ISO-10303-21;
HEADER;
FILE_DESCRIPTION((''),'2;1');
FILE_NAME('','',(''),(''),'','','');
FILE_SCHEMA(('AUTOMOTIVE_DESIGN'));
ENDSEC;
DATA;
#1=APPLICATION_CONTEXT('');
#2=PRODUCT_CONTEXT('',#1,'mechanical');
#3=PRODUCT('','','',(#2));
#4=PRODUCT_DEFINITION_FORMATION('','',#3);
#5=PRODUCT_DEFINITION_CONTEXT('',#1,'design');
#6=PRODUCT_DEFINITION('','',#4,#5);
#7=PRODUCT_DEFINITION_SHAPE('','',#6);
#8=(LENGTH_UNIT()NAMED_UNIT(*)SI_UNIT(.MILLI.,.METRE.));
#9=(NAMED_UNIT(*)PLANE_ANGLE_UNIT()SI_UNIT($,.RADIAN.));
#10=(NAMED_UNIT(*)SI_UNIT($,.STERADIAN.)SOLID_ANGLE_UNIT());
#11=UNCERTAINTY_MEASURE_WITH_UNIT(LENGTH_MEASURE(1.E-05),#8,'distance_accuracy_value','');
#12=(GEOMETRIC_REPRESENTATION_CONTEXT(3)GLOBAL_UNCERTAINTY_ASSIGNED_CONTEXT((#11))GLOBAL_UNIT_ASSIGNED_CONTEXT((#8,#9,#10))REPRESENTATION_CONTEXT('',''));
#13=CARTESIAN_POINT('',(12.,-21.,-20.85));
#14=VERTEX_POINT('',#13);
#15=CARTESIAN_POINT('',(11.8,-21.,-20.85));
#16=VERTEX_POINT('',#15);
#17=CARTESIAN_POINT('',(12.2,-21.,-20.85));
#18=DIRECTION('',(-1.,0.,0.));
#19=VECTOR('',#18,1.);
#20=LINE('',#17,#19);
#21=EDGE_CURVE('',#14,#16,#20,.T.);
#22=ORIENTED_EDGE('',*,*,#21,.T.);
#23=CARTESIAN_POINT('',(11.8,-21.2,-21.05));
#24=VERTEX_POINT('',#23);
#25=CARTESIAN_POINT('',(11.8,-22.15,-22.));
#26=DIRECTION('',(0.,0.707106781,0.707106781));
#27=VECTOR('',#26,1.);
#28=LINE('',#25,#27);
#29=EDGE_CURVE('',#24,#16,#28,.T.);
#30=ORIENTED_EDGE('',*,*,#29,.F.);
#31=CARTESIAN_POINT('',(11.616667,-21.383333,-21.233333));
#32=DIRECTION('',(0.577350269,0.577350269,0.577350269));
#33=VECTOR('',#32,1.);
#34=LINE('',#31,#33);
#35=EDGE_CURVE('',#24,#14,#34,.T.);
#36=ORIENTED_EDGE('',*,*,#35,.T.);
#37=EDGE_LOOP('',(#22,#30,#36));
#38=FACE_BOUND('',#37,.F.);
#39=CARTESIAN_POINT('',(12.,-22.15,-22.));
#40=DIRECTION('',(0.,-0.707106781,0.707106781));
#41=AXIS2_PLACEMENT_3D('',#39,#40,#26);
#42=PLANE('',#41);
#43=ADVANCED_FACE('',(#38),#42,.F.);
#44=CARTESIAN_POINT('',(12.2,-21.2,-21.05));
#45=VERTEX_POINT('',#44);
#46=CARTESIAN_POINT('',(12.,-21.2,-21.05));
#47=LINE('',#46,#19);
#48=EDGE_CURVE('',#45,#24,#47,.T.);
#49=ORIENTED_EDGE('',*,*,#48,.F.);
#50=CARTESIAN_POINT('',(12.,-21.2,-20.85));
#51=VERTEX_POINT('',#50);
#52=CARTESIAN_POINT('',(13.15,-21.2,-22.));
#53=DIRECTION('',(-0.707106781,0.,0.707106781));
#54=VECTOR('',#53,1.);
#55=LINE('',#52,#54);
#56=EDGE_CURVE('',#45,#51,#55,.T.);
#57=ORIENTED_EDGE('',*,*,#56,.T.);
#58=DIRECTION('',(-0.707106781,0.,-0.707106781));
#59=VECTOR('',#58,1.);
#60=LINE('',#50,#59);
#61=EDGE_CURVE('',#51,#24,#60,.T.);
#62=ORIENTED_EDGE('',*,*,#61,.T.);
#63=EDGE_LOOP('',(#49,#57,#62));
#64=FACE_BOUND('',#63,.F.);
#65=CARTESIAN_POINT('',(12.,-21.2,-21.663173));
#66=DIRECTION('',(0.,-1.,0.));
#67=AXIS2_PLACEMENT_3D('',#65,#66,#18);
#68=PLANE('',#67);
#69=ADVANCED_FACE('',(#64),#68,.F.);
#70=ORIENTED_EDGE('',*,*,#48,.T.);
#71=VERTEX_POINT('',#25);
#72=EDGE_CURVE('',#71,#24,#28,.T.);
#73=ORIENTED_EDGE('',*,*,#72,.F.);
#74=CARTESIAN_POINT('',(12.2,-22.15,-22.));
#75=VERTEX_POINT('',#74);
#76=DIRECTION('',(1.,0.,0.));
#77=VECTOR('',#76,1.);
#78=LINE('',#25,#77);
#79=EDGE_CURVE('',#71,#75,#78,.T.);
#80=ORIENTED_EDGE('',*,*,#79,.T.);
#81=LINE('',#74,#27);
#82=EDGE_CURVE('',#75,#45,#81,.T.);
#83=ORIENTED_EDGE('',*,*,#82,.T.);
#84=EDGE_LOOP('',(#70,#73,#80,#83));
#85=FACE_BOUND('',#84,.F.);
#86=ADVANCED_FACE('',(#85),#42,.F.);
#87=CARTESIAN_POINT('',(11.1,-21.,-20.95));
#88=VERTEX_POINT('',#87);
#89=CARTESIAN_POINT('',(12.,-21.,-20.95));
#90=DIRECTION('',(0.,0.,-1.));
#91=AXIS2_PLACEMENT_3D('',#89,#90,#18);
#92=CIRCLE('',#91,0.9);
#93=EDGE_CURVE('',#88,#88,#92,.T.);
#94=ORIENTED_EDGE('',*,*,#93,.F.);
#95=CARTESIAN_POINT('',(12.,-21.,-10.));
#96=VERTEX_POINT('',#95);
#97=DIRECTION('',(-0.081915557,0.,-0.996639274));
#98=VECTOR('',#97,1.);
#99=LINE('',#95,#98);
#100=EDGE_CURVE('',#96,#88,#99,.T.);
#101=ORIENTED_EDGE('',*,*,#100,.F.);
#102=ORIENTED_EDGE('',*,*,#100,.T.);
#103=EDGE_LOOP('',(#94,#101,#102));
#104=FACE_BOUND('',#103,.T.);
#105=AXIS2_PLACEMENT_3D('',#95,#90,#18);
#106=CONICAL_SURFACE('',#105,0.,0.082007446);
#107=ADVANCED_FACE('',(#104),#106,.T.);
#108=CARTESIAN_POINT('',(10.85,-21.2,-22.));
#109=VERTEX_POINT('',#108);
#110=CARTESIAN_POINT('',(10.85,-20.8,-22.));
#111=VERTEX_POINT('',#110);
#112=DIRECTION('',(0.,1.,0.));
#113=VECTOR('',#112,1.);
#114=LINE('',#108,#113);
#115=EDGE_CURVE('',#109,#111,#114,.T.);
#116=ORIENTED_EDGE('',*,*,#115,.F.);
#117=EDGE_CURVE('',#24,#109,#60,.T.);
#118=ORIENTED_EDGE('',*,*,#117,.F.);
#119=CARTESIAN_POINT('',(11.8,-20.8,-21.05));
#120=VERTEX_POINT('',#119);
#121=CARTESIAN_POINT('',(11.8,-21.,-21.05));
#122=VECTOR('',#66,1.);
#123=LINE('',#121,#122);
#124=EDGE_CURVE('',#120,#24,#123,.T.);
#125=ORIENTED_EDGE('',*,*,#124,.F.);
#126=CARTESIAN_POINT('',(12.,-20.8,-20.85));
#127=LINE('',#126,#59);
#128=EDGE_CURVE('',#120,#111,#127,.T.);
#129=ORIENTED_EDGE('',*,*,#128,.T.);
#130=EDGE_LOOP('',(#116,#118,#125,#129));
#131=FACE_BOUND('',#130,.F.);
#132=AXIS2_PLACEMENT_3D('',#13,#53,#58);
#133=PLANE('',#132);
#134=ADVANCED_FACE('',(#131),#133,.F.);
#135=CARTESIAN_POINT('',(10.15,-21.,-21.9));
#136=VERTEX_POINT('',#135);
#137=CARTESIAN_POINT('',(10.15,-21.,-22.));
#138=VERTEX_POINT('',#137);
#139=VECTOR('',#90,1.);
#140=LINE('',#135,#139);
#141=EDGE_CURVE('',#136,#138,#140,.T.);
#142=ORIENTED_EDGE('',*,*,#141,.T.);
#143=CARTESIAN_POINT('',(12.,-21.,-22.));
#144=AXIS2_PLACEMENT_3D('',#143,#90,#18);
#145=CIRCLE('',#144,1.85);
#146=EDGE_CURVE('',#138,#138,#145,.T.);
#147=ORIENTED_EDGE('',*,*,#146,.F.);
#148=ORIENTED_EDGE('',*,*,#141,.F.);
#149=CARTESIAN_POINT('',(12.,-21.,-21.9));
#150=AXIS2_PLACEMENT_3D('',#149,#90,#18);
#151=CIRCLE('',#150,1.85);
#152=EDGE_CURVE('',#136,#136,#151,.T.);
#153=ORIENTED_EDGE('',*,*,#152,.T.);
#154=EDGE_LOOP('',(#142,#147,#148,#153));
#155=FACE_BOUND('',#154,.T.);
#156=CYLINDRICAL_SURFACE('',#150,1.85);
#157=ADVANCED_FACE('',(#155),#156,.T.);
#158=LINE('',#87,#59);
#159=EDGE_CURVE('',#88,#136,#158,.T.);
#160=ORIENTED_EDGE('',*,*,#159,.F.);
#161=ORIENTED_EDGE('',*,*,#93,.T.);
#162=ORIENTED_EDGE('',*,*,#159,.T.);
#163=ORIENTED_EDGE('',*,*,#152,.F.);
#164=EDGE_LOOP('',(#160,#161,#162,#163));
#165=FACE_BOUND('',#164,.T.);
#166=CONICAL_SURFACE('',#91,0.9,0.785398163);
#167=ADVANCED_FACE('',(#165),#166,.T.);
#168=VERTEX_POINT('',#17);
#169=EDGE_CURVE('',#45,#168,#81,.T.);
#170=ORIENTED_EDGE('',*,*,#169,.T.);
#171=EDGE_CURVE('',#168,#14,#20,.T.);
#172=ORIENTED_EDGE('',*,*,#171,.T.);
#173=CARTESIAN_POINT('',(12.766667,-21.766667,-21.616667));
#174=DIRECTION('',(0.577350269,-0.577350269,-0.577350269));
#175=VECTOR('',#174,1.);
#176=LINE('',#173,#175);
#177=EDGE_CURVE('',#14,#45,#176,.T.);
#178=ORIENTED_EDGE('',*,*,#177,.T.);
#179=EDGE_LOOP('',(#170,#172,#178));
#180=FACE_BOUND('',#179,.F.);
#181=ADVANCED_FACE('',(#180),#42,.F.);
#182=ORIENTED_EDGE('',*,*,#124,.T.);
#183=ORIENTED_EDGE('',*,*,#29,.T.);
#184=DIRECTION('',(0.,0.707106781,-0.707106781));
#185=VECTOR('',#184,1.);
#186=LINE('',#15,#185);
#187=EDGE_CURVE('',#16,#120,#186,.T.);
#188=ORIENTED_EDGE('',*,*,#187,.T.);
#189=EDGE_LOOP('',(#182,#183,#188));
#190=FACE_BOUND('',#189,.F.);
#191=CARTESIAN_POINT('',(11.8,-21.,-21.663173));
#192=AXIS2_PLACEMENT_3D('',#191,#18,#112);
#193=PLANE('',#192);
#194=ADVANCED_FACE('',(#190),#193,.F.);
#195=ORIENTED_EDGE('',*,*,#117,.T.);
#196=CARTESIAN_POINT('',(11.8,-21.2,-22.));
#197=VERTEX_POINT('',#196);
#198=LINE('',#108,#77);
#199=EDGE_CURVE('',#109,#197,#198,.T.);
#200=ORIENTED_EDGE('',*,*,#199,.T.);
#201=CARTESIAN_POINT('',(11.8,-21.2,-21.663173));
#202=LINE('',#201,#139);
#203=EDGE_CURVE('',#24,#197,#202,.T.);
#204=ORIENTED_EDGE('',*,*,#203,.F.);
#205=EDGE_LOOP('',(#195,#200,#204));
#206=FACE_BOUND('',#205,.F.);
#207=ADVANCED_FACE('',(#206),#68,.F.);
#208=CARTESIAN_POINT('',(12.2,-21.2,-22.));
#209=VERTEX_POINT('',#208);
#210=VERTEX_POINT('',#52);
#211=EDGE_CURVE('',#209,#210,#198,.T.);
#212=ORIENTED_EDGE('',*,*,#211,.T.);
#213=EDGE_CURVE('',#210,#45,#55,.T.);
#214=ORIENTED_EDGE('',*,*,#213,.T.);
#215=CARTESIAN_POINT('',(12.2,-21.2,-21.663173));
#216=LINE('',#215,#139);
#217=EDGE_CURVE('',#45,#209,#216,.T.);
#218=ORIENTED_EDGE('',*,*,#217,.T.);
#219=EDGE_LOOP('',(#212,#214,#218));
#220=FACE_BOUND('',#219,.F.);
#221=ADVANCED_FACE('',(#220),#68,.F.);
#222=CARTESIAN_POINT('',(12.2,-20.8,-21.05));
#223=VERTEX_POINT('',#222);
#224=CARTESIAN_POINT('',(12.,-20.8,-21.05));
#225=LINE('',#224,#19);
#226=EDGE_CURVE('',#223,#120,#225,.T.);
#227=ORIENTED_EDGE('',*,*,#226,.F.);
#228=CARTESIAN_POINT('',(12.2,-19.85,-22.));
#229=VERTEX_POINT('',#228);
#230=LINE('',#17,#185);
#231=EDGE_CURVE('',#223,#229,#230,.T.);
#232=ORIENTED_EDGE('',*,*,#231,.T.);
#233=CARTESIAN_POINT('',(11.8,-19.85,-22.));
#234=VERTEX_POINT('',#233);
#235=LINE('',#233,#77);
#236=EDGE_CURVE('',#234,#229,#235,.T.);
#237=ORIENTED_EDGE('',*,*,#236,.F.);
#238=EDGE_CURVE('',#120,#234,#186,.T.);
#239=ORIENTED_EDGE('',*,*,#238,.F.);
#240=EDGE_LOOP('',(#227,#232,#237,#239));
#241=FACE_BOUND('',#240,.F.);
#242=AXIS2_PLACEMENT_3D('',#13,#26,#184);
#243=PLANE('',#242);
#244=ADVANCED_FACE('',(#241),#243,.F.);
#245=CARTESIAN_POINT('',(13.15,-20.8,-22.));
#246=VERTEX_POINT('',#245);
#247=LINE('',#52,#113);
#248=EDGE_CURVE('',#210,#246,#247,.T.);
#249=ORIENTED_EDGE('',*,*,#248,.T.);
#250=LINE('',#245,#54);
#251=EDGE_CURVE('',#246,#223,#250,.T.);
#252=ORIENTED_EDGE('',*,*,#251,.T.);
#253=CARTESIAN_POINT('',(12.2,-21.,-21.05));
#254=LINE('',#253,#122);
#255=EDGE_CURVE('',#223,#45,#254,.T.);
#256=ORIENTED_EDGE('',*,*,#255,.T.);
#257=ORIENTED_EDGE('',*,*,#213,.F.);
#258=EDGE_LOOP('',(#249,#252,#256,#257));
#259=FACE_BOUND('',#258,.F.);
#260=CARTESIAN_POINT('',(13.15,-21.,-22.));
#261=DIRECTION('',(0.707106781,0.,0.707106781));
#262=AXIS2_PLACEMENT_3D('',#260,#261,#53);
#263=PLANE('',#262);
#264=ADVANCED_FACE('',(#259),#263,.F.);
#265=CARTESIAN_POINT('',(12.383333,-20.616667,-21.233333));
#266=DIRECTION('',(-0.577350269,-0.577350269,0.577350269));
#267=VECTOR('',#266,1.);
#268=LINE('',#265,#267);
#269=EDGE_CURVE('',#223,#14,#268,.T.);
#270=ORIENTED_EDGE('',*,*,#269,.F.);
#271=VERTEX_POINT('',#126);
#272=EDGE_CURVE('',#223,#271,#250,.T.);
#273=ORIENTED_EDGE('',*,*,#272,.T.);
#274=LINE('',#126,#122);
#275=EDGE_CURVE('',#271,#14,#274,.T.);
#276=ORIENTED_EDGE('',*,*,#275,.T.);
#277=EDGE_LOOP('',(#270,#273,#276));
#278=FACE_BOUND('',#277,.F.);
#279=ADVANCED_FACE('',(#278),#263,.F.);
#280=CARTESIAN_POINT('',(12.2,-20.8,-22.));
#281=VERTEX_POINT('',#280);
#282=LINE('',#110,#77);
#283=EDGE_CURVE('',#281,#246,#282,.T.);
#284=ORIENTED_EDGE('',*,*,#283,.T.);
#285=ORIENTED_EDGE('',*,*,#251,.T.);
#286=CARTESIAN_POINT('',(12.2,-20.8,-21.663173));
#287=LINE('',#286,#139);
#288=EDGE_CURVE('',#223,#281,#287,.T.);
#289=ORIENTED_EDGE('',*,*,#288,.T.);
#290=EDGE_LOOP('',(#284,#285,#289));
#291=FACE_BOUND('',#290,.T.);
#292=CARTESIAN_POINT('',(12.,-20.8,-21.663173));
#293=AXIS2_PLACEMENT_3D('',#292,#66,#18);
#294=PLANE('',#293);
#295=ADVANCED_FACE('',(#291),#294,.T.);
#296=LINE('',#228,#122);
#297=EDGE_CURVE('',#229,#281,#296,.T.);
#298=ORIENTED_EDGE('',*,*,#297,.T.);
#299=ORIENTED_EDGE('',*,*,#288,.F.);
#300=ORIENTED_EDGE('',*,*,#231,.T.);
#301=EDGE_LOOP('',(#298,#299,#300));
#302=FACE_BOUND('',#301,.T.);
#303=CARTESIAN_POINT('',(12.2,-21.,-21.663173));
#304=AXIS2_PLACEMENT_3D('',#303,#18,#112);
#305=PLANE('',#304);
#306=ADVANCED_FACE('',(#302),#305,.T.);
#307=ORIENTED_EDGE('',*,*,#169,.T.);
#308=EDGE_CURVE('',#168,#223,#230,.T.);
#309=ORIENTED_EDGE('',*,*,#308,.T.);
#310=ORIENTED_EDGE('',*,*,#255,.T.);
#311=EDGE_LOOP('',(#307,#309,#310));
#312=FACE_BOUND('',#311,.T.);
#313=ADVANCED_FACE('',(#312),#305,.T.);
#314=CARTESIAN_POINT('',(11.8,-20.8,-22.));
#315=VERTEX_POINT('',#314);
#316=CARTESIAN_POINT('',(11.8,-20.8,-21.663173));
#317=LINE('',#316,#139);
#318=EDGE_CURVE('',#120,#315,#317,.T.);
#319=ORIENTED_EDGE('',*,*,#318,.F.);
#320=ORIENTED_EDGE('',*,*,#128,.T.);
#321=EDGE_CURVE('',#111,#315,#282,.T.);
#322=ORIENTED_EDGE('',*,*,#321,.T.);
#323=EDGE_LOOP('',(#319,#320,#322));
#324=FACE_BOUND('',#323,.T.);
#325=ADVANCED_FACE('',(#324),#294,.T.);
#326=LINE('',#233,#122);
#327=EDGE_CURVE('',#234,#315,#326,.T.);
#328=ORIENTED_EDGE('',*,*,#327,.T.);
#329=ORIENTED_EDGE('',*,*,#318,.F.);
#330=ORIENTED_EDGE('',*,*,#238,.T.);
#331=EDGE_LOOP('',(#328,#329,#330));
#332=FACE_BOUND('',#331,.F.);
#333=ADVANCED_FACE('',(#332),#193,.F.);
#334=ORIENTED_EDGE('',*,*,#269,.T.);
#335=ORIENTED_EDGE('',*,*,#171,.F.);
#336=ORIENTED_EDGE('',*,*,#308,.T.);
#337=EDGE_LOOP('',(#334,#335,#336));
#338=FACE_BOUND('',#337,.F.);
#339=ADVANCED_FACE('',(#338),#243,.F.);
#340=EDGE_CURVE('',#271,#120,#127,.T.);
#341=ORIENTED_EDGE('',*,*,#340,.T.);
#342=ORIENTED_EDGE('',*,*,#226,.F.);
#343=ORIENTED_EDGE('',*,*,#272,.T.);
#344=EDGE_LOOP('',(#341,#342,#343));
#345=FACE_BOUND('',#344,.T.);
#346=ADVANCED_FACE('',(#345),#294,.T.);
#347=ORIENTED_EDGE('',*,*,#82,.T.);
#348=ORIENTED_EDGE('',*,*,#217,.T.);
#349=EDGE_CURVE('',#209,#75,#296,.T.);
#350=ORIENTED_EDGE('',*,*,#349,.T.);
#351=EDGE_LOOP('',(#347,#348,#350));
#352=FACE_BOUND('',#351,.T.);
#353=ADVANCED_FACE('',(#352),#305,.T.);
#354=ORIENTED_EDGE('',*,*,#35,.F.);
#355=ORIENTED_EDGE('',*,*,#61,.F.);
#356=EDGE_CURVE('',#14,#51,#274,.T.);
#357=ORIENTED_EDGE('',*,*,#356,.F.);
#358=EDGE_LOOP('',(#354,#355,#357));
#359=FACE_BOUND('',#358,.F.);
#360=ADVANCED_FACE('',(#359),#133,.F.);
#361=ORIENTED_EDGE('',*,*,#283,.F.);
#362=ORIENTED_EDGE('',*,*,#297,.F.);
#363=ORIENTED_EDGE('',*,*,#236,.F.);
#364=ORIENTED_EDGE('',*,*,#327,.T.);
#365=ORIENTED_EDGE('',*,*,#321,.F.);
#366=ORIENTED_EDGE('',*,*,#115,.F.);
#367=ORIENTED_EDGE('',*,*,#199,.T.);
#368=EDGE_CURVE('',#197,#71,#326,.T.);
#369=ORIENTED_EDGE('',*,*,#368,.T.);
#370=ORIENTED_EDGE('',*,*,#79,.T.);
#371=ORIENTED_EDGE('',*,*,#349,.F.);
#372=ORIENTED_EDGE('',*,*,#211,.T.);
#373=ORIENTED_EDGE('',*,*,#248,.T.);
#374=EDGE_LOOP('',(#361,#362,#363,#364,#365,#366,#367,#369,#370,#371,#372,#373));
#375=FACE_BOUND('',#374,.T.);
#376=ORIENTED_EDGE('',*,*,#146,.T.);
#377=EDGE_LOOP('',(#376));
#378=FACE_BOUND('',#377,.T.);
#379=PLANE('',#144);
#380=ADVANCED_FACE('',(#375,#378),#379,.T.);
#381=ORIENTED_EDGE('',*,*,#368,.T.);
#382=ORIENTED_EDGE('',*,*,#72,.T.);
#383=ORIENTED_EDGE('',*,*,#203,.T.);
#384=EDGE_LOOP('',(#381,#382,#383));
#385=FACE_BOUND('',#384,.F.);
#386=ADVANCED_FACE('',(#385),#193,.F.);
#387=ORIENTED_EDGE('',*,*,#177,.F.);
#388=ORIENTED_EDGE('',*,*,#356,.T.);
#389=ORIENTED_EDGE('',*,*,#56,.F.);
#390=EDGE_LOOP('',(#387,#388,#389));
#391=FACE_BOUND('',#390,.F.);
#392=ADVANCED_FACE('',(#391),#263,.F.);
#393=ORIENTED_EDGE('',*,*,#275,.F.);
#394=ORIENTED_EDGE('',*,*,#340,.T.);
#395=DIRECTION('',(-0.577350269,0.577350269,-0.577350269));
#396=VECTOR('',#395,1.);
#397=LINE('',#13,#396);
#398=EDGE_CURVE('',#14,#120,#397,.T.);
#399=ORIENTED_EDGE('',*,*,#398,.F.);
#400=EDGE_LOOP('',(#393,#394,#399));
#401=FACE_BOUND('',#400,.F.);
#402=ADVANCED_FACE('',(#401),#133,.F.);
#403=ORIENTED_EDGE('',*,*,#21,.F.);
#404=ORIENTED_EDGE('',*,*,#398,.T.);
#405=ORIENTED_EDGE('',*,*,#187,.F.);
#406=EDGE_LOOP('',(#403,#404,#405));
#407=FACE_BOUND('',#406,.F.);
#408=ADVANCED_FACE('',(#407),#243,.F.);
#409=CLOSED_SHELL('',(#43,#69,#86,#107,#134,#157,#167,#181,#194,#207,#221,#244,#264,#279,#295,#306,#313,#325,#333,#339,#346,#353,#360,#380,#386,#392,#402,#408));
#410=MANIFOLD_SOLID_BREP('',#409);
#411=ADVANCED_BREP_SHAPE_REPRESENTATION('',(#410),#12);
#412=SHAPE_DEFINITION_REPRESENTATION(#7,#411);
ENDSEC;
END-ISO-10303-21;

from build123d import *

# Parameters (mm, degrees)
POCKET005_DEPTH         = 0.2
POLARPATTERN005_COUNT   = 2
POLARPATTERN005_ANGLE   = 90
BODY009_PLACEMENT_ANGLE = 180


with BuildPart() as part:
    # Sketch017 → Revolution005 (revolve)
    with BuildSketch(Plane.XZ):
        Polygon((0, 0), (0, -12), (0.9, -1.05), (1.85, -0.1), (1.85, 0), align=None)
    revolve(axis=Axis((0, 0, 0), (0, 0, 1)))

    # Sketch018 → Pocket005 (cut, symmetric)
    with BuildSketch(Plane.XZ):
        Polygon((-1.15, 0), (0, -1.15), (1.15, 0), align=None)
    pocket005 = extrude(amount=POCKET005_DEPTH, both=True, mode=Mode.SUBTRACT)

    # PolarPattern005: Pocket005 ×2 about axis
    polarpattern005_axis = Axis((0, 0, 0), (0, 0, 1))
    for i in range(1, POLARPATTERN005_COUNT):
        add(pocket005.rotate(polarpattern005_axis, i * POLARPATTERN005_ANGLE / (POLARPATTERN005_COUNT - 1)), mode=Mode.SUBTRACT)


with BuildPart() as part_1:
    # Body009 placement: moved
    add(part.part.moved(Location((12, -21, -22))).rotate(Axis((12, -21, -22), (0, 1, 0)), BODY009_PLACEMENT_ANGLE))


solid = part_1.part
